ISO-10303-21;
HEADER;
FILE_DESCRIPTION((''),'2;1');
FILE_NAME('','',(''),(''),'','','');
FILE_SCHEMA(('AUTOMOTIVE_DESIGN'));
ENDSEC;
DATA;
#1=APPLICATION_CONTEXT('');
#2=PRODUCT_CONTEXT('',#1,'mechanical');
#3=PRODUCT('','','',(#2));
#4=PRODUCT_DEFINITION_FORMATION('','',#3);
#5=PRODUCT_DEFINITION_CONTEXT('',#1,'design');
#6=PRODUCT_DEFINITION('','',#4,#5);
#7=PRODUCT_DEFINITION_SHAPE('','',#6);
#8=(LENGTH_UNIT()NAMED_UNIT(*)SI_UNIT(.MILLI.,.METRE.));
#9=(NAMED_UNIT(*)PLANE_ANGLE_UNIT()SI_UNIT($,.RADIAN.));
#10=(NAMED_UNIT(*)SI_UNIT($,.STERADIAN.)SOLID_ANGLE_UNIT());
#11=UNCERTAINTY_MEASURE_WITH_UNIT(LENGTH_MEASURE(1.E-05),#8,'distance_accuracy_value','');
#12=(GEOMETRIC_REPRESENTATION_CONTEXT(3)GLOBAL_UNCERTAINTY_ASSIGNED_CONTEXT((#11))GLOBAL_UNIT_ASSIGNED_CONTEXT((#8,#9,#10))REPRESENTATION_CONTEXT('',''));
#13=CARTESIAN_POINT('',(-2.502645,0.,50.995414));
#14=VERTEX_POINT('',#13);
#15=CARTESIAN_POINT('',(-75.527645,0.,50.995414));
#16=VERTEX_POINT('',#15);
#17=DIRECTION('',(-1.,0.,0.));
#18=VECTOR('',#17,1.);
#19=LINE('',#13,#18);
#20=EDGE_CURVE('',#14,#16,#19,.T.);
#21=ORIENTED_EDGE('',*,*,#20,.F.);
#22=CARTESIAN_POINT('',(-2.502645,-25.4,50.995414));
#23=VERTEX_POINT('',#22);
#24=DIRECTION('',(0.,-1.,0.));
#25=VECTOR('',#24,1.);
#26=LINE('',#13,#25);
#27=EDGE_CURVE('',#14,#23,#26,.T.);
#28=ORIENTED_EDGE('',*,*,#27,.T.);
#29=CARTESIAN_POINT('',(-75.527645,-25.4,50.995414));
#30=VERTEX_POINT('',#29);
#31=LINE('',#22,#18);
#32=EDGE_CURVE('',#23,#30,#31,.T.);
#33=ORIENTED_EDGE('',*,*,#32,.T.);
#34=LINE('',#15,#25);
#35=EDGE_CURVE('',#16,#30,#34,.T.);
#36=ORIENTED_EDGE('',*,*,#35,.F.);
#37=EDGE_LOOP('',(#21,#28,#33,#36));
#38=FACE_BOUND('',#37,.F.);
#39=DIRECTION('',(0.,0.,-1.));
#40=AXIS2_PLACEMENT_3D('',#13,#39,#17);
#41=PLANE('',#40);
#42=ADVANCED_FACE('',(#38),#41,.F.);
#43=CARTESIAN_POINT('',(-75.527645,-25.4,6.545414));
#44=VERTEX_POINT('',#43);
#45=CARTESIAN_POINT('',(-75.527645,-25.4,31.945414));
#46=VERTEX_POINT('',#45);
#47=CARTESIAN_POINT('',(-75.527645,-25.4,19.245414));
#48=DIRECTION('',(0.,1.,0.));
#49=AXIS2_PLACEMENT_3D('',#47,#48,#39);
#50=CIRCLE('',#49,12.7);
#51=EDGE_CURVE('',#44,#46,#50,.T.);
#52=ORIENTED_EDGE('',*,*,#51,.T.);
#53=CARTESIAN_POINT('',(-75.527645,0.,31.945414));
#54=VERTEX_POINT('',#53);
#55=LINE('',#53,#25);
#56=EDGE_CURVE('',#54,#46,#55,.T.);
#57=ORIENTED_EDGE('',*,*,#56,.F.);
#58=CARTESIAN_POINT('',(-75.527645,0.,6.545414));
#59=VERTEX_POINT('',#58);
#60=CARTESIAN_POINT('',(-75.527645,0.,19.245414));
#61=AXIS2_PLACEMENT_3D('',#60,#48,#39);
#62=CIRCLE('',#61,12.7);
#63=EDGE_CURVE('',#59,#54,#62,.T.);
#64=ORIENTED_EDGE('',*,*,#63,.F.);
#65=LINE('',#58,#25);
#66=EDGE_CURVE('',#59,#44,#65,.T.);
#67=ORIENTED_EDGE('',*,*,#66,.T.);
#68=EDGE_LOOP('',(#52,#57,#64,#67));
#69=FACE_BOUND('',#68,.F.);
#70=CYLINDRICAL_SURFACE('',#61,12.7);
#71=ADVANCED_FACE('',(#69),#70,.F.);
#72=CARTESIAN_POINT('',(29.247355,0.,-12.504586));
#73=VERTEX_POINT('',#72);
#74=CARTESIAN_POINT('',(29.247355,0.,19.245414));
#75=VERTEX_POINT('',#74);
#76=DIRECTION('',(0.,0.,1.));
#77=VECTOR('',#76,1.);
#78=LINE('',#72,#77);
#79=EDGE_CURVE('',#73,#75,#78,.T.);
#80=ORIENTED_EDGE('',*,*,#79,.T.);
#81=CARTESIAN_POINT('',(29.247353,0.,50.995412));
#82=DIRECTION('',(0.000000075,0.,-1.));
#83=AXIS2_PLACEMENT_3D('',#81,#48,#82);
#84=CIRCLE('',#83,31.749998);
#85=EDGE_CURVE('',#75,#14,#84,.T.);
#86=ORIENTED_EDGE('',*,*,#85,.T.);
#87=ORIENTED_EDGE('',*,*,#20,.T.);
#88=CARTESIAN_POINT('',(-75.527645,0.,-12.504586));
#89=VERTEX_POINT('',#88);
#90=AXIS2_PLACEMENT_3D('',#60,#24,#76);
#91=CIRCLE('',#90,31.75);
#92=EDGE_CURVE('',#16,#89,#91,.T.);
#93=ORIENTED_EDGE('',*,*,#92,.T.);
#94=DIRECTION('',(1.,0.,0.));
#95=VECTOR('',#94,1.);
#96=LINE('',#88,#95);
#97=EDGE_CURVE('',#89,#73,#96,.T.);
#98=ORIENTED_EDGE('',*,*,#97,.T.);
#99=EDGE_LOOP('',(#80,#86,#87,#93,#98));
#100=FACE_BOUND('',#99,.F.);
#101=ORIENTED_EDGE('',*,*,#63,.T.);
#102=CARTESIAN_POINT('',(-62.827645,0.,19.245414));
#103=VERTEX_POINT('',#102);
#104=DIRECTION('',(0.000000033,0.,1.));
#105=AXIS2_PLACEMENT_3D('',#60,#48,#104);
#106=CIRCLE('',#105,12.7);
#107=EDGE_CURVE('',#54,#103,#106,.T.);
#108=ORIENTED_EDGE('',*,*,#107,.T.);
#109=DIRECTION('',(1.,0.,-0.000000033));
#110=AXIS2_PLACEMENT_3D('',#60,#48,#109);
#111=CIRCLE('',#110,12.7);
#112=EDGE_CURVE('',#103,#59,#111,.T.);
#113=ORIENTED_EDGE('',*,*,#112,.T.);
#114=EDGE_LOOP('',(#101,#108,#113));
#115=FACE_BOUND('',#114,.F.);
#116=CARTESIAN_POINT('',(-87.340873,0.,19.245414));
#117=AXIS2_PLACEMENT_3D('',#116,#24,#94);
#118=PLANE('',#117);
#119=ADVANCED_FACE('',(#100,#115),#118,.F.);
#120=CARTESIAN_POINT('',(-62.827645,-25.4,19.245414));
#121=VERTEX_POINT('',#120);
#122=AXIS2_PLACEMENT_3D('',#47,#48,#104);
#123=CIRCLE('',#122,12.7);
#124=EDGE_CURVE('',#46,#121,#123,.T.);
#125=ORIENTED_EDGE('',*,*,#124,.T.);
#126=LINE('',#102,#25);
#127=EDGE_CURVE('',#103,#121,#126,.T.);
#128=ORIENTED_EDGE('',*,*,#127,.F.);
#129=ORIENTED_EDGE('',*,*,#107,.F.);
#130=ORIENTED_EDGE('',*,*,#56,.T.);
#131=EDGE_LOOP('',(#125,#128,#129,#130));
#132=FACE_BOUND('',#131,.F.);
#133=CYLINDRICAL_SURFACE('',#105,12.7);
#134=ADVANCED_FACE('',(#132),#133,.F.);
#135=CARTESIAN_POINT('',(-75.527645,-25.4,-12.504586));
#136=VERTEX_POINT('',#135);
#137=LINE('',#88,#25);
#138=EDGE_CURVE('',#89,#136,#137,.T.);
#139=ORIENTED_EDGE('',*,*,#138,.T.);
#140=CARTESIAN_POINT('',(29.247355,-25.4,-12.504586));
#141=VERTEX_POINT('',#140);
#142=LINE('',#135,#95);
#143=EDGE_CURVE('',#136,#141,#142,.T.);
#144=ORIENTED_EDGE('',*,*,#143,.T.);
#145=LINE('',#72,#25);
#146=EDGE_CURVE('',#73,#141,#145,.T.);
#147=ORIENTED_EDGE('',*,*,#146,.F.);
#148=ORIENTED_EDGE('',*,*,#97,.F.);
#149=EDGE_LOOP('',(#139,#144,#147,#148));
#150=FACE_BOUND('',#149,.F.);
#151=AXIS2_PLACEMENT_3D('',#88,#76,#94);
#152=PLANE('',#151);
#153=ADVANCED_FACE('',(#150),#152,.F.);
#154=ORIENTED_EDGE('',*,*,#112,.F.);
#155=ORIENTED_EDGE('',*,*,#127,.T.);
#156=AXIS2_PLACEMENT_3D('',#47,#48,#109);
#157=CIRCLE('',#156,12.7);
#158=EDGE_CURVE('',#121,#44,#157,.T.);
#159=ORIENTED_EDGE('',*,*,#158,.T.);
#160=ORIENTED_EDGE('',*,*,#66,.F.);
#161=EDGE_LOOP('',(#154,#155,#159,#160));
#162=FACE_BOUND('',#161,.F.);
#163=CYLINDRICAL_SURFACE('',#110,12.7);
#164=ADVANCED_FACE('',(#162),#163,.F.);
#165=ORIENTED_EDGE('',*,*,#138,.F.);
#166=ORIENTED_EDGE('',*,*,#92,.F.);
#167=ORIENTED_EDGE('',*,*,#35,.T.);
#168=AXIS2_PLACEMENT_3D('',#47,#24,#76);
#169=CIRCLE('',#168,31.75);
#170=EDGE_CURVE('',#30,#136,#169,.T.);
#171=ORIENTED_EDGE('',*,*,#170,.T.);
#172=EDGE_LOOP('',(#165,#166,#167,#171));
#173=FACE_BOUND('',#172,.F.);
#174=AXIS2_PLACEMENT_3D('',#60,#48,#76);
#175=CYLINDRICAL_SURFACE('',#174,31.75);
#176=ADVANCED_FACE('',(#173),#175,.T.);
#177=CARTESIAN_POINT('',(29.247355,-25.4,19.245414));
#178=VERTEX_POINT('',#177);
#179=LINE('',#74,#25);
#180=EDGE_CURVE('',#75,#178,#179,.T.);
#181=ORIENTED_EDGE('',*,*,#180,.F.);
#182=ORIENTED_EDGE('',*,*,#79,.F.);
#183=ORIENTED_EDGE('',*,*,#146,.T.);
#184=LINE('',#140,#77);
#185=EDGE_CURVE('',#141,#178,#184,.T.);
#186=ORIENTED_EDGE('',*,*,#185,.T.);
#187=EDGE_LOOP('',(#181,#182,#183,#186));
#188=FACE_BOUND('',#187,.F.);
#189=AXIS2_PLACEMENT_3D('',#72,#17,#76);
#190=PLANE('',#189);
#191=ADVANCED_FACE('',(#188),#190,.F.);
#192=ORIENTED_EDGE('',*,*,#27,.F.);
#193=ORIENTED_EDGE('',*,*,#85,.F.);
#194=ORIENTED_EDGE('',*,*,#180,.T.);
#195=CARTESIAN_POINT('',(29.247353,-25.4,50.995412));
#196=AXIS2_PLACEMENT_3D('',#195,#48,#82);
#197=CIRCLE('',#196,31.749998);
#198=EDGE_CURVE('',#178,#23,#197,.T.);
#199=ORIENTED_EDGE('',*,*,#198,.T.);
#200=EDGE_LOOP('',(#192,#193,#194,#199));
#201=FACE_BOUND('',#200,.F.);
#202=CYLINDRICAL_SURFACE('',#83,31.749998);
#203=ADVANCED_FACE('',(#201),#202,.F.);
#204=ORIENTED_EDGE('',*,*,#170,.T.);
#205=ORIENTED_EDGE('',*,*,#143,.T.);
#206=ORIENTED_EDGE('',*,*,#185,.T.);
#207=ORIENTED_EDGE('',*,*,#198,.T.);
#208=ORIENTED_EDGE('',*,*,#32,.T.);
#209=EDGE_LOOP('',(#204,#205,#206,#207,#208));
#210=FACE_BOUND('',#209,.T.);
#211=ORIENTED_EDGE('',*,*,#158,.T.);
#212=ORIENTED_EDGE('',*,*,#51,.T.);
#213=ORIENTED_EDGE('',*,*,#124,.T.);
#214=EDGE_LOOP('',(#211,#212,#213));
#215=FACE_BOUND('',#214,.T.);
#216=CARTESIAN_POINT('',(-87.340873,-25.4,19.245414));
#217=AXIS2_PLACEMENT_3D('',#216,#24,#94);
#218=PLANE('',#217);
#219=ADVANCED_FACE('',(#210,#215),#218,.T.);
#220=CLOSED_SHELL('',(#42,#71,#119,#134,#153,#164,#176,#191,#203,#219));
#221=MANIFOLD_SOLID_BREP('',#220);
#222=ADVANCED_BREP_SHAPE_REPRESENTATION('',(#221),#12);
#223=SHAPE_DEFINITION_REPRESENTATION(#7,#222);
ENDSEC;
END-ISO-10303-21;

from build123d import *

# Parameters (mm, degrees)
F1_DEPTH = 25.4


with BuildPart() as f1:
    # F0 (on Front) → F1 (new body)
    with BuildSketch(Plane.XZ):
        with BuildLine():
            Line((-75.527645, 31.945414), (-75.527645, 50.995414))
            ThreePointArc((-75.527645, 50.995414), (-107.277645, 19.245414), (-75.527645, -12.504586))
            Line((-75.527645, -12.504586), (-75.527645, 6.545414))
            ThreePointArc((-75.527645, 6.545414), (-88.227645, 19.245414), (-75.527645, 31.945414))
        make_face()
        with BuildLine():
            ThreePointArc((-43.777645, 19.245414), (-53.077005, 41.696054), (-75.527645, 50.995414))
            Line((-75.527645, 50.995414), (-75.527645, 31.945414))
            ThreePointArc((-75.527645, 31.945414), (-66.547389, 28.22567), (-62.827645, 19.245414))
            ThreePointArc((-62.827645, 19.245414), (-66.547389, 10.265158), (-75.527645, 6.545414))
            Line((-75.527645, 6.545414), (-75.527645, -12.504586))
            ThreePointArc((-75.527645, -12.504586), (-53.077005, -3.205227), (-43.777645, 19.245414))
        make_face()
        with BuildLine():
            Line((-2.502645, 50.995414), (-75.527645, 50.995414))
            ThreePointArc((-75.527645, 50.995414), (-53.077005, 41.696054), (-43.777645, 19.245414))
            ThreePointArc((-43.777645, 19.245414), (-53.077005, -3.205227), (-75.527645, -12.504586))
            Line((-75.527645, -12.504586), (29.247355, -12.504586))
            Line((29.247355, -12.504586), (29.247355, 19.245414))
            ThreePointArc((29.247355, 19.245414), (6.796714, 28.544773), (-2.502645, 50.995414))
        make_face()
    extrude(amount=F1_DEPTH)


solid = f1.part
